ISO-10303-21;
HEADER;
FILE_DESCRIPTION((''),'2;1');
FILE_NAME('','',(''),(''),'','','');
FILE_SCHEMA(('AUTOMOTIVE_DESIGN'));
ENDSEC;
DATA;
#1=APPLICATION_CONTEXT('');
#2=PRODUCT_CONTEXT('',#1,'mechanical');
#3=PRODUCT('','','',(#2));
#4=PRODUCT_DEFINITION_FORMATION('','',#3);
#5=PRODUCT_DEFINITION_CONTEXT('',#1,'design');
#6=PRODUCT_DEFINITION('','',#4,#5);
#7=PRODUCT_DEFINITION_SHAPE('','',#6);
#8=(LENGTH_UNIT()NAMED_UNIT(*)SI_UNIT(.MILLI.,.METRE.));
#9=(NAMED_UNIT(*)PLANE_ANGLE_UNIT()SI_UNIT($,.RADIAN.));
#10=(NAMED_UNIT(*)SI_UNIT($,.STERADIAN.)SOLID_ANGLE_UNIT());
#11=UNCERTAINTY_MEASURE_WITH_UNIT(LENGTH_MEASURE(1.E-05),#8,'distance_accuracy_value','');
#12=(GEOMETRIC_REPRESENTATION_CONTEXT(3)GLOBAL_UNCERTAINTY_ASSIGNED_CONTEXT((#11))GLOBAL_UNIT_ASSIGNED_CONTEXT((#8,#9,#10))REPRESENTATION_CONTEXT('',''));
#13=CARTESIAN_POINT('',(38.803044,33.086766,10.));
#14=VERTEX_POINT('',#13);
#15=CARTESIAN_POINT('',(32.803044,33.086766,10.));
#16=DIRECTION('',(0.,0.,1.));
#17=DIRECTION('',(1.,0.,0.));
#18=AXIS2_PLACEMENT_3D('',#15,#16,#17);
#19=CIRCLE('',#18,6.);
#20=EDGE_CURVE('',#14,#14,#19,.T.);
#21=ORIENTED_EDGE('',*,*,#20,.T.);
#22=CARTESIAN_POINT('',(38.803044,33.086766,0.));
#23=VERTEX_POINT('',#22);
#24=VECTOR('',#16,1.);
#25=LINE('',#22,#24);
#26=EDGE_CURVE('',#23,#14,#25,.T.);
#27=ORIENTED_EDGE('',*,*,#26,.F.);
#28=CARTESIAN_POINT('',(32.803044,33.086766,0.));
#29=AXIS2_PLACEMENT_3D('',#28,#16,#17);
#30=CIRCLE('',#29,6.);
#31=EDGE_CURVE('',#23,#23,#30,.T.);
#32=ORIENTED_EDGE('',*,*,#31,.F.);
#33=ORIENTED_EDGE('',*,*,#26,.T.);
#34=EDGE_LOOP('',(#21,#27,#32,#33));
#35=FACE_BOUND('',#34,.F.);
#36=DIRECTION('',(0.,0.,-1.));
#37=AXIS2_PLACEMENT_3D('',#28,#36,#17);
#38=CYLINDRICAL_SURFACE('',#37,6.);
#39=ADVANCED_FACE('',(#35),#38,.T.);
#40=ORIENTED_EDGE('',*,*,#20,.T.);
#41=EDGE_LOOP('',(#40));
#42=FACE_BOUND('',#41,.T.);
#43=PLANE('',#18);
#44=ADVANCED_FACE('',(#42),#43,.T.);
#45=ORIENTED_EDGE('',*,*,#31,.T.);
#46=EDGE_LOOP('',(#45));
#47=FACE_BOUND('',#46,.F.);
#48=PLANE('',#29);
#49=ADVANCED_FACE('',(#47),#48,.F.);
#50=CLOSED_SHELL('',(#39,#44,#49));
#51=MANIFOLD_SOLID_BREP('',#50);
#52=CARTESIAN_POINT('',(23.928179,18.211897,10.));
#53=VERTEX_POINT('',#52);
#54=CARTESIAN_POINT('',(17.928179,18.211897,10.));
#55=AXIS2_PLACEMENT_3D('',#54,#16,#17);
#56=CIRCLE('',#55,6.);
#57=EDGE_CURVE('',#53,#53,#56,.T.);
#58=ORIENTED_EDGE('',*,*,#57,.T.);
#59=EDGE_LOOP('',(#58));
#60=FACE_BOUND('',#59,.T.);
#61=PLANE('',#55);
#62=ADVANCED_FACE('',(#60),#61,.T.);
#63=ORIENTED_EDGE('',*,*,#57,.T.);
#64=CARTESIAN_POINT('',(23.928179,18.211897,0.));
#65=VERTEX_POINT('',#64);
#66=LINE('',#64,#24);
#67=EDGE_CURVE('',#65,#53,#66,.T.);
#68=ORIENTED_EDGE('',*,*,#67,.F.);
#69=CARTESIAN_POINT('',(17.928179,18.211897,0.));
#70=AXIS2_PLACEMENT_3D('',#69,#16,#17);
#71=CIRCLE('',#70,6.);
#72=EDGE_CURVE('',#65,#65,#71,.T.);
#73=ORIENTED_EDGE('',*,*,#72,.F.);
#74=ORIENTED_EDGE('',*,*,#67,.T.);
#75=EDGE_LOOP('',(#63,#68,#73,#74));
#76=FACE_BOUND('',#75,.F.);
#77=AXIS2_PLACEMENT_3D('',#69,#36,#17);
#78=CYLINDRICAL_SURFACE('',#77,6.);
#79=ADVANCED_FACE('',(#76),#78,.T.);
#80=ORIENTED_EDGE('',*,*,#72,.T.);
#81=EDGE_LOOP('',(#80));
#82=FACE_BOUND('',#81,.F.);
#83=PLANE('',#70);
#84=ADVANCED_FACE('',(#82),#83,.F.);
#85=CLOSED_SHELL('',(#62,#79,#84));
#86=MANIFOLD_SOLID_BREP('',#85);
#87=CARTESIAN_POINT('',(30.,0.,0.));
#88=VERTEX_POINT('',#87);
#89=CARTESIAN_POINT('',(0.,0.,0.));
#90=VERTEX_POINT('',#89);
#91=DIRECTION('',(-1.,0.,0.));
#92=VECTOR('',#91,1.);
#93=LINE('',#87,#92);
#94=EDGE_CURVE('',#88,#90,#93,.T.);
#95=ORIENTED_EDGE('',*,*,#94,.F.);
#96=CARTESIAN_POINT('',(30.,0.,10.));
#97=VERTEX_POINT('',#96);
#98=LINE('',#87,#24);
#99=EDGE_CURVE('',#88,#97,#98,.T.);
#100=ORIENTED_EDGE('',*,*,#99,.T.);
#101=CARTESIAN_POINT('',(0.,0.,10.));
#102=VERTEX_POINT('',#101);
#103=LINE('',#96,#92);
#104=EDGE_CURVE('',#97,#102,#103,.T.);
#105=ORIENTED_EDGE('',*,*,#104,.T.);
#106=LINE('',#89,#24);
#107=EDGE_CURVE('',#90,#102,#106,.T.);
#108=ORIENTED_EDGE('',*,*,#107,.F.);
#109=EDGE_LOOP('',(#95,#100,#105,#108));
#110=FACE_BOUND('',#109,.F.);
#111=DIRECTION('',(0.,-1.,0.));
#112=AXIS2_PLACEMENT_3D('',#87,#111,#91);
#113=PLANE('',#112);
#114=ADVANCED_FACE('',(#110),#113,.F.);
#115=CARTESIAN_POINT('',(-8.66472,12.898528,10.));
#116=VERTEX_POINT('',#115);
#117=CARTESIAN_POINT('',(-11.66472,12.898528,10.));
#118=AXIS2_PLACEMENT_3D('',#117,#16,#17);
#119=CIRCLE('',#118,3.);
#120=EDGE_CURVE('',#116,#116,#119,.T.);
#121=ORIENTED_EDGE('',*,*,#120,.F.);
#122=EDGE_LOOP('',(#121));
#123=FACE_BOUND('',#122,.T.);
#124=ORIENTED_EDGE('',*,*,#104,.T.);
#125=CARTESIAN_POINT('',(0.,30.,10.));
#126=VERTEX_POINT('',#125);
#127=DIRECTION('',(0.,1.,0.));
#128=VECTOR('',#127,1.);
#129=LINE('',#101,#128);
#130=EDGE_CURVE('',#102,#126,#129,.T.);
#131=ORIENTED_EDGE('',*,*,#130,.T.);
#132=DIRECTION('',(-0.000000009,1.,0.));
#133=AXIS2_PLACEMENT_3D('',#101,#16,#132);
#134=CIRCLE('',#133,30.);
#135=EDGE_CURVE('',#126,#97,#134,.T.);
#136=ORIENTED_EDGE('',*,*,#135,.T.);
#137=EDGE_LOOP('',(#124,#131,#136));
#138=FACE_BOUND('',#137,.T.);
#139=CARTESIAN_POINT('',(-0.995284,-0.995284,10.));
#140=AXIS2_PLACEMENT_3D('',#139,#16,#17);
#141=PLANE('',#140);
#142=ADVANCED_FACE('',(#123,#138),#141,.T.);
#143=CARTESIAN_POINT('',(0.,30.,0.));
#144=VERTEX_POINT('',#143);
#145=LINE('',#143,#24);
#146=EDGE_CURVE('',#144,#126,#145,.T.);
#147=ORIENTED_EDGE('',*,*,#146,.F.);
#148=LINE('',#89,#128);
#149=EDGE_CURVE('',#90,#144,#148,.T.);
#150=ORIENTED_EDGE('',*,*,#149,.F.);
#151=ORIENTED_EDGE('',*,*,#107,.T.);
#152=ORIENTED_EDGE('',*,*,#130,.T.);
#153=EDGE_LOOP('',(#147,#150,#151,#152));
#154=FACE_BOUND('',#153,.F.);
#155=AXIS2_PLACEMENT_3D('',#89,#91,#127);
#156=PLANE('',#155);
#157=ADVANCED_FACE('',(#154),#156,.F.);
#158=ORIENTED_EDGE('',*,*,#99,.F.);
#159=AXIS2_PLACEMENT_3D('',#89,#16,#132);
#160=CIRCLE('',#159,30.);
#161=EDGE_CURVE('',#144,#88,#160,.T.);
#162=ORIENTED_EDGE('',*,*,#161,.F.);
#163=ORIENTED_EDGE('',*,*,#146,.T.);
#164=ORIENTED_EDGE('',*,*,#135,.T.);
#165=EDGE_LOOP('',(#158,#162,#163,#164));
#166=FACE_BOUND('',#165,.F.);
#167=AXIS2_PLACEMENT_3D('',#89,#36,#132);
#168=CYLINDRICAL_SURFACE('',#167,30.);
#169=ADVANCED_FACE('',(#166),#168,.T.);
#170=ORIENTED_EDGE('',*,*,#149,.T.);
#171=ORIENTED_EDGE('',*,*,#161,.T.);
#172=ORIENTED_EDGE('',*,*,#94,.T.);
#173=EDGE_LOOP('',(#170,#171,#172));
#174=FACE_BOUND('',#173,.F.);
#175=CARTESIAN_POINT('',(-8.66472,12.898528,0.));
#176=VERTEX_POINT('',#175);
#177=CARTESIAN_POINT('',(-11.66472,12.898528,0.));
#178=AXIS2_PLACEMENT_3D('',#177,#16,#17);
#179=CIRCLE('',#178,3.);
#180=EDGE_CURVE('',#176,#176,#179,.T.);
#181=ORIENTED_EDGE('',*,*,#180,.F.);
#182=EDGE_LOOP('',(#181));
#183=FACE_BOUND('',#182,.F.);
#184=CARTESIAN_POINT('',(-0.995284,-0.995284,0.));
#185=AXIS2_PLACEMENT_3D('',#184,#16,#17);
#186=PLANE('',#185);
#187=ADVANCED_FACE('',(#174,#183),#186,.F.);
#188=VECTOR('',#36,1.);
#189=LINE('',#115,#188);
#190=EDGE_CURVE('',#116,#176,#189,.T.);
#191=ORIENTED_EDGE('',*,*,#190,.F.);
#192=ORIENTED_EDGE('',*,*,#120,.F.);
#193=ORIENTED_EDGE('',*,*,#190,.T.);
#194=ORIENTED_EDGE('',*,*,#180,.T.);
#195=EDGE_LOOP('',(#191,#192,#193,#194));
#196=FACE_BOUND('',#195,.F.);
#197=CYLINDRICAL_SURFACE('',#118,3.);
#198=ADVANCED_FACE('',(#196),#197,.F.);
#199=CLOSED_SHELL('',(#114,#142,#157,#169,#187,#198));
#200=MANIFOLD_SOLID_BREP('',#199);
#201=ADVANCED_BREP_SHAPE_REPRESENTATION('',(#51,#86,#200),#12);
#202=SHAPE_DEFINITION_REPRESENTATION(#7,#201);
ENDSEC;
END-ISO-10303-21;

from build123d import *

# Parameters (mm, degrees)
F1_DEPTH = 10
F2_R     = 3
F3_DEPTH = 10
F4_R     = 6
F5_DEPTH = 10
F6_R     = 6
F7_DEPTH = 10


with BuildPart() as f1:
    # F0 (on Top) → F1 (new body)
    with BuildSketch(Plane.XY):
        with BuildLine():
            Line((0, 0), (0, 30))
            ThreePointArc((0, 30), (-21.213203, -21.213203), (30, 0))
            Line((30, 0), (0, 0))
        make_face()
    extrude(amount=F1_DEPTH)

    # F2 (on face) → F3 (cut)
    with BuildSketch(Plane.XY.offset(10)):
        with Locations((-11.66472, 12.898528)):
            Circle(F2_R)
    extrude(amount=-F3_DEPTH, mode=Mode.SUBTRACT)


with BuildPart() as f5:
    # F4 (on Top) → F5 (new body)
    with BuildSketch(Plane.XY):
        with Locations((17.928179, 18.211897)):
            Circle(F4_R)
    extrude(amount=F5_DEPTH)


with BuildPart() as f7:
    # F6 (on Top) → F7 (new body)
    with BuildSketch(Plane.XY):
        with Locations((32.803044, 33.086766)):
            Circle(F6_R)
    extrude(amount=F7_DEPTH)


solid = Compound([f1.part, f5.part, f7.part])
